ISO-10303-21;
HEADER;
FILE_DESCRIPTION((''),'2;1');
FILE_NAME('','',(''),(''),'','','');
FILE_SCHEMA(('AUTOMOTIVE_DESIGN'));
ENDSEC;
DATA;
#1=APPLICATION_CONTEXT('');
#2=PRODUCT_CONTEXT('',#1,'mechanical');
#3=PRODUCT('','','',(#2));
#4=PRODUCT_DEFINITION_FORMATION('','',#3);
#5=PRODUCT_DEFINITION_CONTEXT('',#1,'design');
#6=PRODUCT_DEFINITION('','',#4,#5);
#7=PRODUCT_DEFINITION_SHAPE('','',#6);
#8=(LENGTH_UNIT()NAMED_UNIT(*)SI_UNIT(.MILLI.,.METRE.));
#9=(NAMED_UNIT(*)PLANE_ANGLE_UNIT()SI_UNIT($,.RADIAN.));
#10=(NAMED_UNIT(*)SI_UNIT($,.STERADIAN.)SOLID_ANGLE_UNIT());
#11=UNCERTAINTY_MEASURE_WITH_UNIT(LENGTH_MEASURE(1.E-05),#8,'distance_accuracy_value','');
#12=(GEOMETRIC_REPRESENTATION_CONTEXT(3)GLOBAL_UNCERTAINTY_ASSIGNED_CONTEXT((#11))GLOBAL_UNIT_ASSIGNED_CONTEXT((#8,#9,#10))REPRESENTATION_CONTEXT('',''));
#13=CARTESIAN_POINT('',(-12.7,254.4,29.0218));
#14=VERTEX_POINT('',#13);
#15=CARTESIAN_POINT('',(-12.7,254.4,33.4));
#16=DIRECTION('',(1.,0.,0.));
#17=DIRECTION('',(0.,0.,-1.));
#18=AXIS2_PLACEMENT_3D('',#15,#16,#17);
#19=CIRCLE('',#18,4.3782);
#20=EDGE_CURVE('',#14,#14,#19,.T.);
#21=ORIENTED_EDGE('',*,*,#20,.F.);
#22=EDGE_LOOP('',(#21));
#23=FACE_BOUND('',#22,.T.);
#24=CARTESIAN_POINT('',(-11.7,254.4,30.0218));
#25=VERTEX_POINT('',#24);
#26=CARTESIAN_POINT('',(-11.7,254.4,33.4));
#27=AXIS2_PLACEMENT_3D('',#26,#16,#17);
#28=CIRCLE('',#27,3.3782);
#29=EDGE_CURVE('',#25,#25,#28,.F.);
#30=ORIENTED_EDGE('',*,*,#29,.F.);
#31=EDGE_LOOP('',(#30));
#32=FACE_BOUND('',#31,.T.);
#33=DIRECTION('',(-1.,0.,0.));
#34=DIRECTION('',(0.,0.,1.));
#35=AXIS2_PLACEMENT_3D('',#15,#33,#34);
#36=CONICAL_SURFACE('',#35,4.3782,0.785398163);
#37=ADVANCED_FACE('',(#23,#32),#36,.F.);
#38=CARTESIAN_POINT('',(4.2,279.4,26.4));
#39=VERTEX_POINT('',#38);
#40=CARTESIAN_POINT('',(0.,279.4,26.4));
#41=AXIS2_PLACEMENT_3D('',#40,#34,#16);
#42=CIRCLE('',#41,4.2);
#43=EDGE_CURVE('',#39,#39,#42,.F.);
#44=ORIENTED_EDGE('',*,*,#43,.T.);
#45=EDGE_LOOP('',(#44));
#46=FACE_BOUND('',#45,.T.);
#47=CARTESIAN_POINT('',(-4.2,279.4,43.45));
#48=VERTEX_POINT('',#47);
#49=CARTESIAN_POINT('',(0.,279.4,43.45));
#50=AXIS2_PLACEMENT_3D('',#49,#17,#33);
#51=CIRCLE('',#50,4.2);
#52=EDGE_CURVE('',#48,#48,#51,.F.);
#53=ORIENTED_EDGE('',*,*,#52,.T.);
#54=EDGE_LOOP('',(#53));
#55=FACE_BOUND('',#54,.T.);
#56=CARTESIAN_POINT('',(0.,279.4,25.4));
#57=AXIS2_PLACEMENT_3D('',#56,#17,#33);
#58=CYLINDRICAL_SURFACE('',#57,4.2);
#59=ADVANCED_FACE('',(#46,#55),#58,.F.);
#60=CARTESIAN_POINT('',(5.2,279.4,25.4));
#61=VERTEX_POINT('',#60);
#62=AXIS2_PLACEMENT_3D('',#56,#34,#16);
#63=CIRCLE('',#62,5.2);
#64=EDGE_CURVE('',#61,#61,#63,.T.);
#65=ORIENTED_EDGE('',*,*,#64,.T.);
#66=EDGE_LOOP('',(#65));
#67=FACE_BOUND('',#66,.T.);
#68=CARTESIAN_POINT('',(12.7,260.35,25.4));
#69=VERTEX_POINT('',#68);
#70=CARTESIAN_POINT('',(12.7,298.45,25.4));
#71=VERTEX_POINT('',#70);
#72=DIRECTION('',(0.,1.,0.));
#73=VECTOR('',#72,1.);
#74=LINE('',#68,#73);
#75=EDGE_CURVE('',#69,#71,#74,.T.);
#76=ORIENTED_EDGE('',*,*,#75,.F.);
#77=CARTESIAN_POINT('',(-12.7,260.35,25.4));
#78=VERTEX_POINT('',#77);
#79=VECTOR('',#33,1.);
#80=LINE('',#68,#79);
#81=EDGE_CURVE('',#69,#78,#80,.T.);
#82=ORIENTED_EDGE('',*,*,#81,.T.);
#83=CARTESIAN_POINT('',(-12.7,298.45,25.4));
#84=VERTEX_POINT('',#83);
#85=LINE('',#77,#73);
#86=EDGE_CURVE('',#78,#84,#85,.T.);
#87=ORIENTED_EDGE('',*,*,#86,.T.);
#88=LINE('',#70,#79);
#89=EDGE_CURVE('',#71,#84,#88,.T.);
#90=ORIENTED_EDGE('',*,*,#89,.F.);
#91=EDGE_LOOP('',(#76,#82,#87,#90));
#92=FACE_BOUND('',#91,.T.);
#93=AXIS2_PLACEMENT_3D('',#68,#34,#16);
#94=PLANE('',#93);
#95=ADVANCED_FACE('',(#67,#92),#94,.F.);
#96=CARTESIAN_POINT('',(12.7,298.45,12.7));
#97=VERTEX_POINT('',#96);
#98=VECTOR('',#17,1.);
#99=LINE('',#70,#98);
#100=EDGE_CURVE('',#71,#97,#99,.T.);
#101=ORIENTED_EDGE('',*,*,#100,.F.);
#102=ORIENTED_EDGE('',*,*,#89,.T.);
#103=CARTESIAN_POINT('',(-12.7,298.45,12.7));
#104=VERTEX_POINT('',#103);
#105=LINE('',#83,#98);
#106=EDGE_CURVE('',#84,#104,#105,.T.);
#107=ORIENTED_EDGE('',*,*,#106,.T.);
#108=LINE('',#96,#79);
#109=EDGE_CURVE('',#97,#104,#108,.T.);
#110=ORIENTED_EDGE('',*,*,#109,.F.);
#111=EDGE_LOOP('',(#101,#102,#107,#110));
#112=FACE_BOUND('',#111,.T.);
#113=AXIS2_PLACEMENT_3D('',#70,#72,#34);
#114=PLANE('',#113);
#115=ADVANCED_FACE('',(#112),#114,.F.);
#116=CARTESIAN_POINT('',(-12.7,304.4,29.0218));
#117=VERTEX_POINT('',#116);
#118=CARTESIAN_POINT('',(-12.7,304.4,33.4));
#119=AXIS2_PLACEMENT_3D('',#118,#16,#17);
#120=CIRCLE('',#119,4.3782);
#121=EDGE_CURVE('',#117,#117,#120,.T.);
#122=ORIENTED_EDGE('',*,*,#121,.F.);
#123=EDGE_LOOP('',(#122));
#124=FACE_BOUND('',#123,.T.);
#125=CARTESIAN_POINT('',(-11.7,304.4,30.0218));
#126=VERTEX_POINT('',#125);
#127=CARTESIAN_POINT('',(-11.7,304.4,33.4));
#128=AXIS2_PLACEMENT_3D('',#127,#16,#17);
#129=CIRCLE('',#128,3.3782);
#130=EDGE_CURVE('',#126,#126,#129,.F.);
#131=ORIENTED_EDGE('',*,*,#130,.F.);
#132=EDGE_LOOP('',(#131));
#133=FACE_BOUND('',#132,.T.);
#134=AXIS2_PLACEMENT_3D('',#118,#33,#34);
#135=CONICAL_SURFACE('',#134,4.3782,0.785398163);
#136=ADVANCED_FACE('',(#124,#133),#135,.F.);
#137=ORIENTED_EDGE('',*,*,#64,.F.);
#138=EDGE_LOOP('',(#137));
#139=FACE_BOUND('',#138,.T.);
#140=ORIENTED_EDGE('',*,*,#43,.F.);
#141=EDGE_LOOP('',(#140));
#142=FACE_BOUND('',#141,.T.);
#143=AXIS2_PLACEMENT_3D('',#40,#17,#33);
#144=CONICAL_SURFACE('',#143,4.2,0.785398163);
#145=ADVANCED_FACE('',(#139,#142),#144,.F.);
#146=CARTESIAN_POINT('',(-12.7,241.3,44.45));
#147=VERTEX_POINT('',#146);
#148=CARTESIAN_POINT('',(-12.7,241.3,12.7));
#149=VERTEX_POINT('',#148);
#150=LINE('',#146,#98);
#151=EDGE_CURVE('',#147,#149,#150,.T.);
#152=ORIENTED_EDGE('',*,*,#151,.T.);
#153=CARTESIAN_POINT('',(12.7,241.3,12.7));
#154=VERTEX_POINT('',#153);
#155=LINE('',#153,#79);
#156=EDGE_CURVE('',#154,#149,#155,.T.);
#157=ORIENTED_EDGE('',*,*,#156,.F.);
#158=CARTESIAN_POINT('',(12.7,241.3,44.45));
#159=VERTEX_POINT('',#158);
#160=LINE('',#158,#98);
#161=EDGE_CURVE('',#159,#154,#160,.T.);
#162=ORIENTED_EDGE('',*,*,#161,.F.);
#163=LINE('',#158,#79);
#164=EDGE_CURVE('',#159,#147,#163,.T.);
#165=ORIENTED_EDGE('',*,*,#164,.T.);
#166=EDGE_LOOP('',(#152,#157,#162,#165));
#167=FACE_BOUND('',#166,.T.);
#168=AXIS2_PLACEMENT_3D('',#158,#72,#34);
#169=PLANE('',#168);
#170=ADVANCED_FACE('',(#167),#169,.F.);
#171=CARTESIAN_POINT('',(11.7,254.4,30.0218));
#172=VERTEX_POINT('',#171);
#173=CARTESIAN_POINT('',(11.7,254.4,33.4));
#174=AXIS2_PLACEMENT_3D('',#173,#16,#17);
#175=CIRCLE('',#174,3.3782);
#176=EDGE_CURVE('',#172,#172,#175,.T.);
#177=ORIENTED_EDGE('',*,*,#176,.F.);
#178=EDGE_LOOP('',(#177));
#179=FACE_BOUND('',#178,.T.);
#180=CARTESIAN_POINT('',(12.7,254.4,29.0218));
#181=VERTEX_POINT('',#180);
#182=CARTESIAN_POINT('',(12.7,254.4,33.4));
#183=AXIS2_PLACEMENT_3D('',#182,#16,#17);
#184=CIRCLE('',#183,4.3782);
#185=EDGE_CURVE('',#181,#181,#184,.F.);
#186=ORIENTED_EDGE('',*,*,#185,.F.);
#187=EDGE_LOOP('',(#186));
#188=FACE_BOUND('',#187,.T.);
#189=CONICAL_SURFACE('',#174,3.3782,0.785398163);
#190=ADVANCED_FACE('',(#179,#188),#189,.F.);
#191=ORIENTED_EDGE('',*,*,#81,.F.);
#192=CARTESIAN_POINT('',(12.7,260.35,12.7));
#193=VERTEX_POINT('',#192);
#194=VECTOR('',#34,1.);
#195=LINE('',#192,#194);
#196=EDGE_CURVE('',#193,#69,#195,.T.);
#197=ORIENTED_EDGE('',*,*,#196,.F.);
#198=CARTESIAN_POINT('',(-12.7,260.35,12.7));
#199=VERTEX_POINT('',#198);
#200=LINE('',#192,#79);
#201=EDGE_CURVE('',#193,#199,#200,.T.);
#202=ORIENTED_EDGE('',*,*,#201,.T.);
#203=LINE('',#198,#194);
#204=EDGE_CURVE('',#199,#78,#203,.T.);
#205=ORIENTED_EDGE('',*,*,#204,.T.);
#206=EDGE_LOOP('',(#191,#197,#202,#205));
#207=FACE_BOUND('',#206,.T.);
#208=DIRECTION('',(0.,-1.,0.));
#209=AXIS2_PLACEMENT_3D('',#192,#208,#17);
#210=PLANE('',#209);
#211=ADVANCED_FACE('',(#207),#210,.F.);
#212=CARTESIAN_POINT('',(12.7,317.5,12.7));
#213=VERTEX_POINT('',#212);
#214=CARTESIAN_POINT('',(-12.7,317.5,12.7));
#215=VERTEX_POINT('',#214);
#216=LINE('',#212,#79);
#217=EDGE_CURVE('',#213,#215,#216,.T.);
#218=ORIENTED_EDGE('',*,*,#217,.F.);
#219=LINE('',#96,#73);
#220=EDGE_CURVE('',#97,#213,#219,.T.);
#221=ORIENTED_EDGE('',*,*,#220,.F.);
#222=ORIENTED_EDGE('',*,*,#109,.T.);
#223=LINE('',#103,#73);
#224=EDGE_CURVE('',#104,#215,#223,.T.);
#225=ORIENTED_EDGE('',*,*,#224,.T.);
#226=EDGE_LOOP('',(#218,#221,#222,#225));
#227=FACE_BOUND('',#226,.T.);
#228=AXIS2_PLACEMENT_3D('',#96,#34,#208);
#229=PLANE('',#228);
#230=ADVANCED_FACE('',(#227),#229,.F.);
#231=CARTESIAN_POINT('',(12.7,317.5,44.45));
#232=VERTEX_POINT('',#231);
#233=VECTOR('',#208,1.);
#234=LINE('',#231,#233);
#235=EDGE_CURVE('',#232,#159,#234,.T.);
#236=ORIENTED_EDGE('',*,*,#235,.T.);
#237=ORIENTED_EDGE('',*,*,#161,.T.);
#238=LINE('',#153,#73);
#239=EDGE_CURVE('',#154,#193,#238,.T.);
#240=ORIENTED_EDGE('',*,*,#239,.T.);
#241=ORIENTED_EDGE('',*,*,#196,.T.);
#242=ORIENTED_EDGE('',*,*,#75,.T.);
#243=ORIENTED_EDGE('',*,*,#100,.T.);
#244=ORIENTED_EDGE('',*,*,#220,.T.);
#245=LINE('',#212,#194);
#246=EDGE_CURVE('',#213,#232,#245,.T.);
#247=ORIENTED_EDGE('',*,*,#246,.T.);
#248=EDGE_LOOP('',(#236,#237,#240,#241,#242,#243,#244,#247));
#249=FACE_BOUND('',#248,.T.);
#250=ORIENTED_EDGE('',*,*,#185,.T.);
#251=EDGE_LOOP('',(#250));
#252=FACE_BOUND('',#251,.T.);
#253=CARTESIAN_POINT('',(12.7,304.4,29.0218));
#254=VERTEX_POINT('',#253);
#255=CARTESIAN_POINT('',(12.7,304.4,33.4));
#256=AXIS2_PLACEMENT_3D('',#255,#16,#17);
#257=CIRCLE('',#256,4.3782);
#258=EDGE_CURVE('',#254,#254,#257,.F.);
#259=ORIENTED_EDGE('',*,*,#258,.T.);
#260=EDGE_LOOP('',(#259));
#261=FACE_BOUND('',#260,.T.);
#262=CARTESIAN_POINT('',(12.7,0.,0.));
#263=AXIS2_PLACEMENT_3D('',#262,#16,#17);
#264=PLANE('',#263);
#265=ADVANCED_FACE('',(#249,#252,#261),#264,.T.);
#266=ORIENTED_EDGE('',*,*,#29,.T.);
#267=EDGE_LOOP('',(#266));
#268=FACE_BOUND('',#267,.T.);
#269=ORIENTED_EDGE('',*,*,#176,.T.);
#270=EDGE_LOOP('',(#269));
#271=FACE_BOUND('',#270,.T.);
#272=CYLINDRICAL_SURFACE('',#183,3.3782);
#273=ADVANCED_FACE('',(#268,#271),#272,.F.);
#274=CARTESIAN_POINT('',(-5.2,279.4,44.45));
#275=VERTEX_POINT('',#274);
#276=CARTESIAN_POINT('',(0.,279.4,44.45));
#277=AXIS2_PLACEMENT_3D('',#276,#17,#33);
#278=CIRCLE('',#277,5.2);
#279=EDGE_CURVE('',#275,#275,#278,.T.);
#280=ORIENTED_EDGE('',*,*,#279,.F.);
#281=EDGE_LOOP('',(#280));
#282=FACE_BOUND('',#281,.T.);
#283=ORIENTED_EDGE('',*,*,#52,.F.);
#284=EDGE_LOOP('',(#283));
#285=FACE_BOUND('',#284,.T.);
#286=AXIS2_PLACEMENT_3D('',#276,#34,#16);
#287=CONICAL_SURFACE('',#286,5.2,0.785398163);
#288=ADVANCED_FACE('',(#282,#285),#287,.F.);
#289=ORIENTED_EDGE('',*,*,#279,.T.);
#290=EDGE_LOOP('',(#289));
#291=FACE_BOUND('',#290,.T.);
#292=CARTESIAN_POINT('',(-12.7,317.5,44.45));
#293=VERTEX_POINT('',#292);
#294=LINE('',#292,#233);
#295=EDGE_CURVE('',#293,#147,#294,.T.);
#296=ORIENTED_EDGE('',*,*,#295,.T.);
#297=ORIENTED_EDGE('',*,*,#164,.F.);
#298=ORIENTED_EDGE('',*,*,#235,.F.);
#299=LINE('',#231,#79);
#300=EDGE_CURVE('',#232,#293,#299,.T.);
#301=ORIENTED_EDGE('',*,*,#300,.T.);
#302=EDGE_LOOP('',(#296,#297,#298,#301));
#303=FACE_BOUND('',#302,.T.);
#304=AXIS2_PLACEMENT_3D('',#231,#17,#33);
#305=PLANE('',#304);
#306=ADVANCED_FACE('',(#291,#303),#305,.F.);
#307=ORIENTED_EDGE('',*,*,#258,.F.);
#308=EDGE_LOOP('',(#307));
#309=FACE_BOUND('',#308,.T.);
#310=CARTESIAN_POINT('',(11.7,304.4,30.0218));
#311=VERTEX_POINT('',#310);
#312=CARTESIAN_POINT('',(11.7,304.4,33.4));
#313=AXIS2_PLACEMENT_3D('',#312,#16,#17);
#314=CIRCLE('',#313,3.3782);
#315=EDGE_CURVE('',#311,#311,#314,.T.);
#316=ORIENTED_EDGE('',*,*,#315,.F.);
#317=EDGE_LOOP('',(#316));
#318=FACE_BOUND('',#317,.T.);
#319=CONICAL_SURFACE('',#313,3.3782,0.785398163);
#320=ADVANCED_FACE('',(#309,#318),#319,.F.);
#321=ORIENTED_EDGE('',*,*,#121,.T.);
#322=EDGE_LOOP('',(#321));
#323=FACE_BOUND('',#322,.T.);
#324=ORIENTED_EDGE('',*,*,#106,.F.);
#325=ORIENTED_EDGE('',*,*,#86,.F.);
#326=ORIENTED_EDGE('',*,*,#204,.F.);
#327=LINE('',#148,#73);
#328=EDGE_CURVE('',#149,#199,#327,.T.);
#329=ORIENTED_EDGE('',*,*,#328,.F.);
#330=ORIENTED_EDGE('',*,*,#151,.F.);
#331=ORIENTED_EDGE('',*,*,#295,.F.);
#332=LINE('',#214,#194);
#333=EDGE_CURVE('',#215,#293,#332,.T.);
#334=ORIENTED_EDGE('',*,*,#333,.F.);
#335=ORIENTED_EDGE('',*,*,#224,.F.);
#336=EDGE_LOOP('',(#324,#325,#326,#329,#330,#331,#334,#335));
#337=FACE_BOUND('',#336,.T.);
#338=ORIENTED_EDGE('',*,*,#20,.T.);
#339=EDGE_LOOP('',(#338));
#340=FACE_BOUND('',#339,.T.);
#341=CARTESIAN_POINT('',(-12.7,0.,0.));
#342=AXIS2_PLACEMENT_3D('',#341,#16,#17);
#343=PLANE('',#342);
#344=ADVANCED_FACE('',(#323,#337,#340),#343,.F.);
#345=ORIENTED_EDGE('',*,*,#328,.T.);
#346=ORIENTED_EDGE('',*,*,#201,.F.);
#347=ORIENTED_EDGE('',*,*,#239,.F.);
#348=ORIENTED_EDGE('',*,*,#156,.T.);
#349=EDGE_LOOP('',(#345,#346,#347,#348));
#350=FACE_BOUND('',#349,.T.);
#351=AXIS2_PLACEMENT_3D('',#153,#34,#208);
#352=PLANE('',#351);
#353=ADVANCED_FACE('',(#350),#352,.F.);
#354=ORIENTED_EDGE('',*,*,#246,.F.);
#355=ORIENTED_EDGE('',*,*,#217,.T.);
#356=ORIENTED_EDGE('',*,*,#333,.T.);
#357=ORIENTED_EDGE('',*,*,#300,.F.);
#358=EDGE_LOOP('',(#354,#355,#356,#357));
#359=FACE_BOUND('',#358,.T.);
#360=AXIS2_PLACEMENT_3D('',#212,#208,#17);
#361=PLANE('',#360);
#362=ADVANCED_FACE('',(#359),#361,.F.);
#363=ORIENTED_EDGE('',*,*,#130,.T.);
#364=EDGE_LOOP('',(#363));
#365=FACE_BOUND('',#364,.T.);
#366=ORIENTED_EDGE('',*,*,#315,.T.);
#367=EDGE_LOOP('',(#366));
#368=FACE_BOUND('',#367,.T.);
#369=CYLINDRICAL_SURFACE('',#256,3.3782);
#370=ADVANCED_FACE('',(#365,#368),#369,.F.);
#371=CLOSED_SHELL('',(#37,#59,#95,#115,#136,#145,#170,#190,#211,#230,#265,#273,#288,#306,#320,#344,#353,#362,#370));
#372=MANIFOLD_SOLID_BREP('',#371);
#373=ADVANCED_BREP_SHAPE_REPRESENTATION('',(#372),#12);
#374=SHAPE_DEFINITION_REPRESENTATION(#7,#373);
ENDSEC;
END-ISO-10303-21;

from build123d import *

# Parameters (mm, degrees)
BOSS_EXTRUDE1_DEPTH     = 12.7
F_1_4_CLEARANCE_HOLE1_D = 6.7564
M8_CLEARANCE_HOLE1_D    = 8.4
CHAMFER1_SIZE           = 1


with BuildPart() as part:
    # Sketch1 → Boss-Extrude1 (new, symmetric)
    with BuildSketch(Plane(origin=(0, 0, 0), x_dir=(0, 0, -1), z_dir=(1, 0, 0))):
        Polygon((-44.45, 241.3), (-12.7, 241.3), (-12.7, 260.35), (-25.4, 260.35), (-25.4, 298.45), (-12.7, 298.45), (-12.7, 317.5), (-44.45, 317.5), align=None)
    extrude(amount=BOSS_EXTRUDE1_DEPTH, both=True)

    # 1/4 Clearance Hole1 (through all)
    with Locations(Plane(origin=(12.7, 0, 0), x_dir=(0, 0, -1), z_dir=(1, 0, 0))):
        with Locations((-33.4, 304.4), (-33.4, 254.4)):
            Hole(F_1_4_CLEARANCE_HOLE1_D / 2)

    # M8 Clearance Hole1 (through all)
    with Locations(Plane(origin=(0, 0, 25.4), x_dir=(-1, 0, 0), z_dir=(0, 0, -1))):
        with Locations((0, 279.4)):
            Hole(M8_CLEARANCE_HOLE1_D / 2)

    # Chamfer1
    chamfer1_edges = [part.edges().sort_by_distance(p)[0] for p in [
        (12.7, 254.4, 30.0218),
        (-12.7, 254.4, 30.0218),
        (12.7, 304.4, 30.0218),
        (-12.7, 304.4, 30.0218),
        (-4.2, 279.4, 25.4),
        (-4.2, 279.4, 44.45),
    ]]
    chamfer(chamfer1_edges, length=CHAMFER1_SIZE)


solid = part.part
